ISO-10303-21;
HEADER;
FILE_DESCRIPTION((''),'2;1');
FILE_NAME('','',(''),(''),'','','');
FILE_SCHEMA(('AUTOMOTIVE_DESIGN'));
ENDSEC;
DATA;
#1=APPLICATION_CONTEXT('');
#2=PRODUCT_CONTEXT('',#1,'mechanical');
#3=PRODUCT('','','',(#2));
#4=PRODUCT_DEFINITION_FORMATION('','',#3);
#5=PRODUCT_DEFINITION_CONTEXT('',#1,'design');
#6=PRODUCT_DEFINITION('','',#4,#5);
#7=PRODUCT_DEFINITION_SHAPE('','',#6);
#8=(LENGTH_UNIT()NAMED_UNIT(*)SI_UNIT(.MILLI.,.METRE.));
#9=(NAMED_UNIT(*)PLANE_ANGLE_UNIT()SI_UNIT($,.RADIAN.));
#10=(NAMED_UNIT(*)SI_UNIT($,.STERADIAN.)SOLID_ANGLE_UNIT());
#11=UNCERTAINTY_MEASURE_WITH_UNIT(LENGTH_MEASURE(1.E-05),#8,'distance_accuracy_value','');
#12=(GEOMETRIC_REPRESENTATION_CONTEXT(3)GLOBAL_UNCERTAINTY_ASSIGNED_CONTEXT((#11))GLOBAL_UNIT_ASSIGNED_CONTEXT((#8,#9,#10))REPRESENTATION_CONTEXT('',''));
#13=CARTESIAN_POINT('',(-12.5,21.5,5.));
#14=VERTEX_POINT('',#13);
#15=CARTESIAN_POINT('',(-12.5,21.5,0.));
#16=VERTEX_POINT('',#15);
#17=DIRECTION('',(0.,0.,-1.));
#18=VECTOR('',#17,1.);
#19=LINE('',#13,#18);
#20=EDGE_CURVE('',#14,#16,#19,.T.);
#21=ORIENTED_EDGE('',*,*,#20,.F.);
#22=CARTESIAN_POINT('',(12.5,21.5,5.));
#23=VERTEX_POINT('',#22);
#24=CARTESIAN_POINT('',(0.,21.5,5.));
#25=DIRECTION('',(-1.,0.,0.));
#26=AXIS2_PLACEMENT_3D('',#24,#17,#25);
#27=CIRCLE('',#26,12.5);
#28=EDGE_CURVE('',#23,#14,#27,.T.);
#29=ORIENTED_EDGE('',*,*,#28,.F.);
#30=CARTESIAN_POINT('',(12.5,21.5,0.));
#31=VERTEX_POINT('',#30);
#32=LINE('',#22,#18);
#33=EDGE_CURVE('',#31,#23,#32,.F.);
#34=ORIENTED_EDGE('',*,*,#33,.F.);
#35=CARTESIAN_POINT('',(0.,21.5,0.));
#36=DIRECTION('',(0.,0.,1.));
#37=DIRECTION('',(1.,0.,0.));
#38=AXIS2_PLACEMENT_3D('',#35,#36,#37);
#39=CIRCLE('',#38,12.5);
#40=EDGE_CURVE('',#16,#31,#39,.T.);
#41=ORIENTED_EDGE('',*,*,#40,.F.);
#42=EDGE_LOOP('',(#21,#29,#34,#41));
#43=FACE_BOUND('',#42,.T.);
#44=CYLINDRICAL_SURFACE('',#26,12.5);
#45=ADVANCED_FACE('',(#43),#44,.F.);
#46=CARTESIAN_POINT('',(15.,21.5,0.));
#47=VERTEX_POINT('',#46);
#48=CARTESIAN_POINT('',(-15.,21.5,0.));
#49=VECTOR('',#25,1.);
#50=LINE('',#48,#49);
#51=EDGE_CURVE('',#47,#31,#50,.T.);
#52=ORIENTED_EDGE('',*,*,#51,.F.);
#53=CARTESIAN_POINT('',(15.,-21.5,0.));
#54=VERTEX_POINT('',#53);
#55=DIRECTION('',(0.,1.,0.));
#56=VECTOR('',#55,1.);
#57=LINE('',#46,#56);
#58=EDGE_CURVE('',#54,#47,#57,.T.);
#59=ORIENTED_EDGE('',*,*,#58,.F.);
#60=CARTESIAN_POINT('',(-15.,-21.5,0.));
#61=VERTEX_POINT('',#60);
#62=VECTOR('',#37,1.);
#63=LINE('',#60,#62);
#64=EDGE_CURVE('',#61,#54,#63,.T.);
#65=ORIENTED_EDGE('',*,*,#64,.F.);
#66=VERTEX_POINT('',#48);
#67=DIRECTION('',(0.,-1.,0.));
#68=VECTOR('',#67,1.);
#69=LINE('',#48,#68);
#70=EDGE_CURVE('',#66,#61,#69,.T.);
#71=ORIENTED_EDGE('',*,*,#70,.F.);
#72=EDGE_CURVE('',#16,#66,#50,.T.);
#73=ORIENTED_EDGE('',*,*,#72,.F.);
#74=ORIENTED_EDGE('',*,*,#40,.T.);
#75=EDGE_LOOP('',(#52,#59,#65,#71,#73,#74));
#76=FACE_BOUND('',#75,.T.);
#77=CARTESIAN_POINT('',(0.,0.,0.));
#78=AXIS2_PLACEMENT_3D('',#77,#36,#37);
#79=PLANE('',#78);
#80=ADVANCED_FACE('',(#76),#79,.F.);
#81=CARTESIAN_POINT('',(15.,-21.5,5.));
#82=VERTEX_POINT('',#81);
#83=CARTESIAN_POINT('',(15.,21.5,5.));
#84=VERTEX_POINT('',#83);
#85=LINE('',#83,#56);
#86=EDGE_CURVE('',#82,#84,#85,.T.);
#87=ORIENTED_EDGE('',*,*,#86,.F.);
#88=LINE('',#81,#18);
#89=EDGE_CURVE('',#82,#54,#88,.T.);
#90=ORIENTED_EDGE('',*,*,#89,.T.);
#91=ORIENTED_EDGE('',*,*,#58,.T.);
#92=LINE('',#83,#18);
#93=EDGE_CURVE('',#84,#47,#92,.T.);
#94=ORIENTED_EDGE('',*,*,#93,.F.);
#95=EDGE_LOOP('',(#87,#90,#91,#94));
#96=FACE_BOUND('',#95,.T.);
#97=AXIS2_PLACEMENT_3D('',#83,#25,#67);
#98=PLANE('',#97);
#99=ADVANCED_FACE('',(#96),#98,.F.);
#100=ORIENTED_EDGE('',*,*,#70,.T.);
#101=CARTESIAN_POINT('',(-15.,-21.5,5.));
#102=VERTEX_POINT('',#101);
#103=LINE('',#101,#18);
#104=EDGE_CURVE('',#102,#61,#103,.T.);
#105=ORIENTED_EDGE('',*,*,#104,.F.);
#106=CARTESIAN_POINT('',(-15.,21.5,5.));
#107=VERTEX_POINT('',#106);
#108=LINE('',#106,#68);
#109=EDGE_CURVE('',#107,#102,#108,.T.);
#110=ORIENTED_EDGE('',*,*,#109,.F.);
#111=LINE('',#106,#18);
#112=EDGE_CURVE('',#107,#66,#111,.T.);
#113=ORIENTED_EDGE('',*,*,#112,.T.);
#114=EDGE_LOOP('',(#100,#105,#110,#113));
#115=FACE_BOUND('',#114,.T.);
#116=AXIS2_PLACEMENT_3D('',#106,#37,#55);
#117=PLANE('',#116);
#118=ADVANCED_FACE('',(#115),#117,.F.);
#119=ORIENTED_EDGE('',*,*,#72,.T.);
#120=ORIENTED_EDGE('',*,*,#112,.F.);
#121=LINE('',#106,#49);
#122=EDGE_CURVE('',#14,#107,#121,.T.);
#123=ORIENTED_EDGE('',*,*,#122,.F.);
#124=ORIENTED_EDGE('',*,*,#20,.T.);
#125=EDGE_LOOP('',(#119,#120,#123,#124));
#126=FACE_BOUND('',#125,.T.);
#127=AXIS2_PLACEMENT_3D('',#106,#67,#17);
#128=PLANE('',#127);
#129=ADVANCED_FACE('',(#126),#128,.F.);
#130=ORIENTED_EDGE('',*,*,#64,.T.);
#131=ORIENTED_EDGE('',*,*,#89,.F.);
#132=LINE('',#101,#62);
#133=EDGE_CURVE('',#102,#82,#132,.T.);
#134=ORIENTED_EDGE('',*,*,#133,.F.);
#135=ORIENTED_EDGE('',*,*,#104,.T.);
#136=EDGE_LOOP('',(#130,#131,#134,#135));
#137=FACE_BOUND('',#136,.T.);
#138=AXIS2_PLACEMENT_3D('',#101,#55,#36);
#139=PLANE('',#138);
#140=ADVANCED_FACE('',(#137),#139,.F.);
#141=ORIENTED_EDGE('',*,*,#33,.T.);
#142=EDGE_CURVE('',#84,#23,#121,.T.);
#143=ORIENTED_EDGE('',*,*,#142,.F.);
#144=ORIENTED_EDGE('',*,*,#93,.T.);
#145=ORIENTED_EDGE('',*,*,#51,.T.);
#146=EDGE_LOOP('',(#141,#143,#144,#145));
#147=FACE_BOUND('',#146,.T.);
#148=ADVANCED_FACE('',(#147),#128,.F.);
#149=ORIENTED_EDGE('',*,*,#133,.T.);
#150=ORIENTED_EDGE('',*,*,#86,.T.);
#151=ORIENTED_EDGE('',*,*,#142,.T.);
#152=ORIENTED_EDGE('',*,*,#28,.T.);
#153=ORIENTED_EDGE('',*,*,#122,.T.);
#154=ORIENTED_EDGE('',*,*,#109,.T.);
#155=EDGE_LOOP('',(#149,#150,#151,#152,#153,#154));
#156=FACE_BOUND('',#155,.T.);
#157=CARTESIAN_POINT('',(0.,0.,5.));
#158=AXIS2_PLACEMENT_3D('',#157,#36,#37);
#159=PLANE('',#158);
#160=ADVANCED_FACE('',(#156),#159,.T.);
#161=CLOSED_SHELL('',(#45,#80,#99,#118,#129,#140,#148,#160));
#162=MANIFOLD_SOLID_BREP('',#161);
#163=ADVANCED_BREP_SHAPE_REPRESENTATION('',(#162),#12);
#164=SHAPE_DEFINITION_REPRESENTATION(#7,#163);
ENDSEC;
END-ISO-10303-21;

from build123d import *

# Parameters (mm, degrees)
SKETCH2_W           = 30
SKETCH2_H           = 43
BOSS_EXTRUDE2_DEPTH = 5
SKETCH3_R           = 12.5
CUT_EXTRUDE1_DEPTH  = 27.68801229


with BuildPart() as part:
    # Sketch2 → Boss-Extrude2 (new body)
    with BuildSketch(Plane.XY):
        Rectangle(SKETCH2_W, SKETCH2_H)
    extrude(amount=BOSS_EXTRUDE2_DEPTH)

    # Sketch3 → Cut-Extrude1 (cut, through all)
    with BuildSketch(Plane(origin=(0, 0, 0), x_dir=(-1, 0, 0), z_dir=(0, 0, -1))):
        with Locations((0, 21.5)):
            Circle(SKETCH3_R)
    extrude(amount=-CUT_EXTRUDE1_DEPTH, mode=Mode.SUBTRACT)


solid = part.part
